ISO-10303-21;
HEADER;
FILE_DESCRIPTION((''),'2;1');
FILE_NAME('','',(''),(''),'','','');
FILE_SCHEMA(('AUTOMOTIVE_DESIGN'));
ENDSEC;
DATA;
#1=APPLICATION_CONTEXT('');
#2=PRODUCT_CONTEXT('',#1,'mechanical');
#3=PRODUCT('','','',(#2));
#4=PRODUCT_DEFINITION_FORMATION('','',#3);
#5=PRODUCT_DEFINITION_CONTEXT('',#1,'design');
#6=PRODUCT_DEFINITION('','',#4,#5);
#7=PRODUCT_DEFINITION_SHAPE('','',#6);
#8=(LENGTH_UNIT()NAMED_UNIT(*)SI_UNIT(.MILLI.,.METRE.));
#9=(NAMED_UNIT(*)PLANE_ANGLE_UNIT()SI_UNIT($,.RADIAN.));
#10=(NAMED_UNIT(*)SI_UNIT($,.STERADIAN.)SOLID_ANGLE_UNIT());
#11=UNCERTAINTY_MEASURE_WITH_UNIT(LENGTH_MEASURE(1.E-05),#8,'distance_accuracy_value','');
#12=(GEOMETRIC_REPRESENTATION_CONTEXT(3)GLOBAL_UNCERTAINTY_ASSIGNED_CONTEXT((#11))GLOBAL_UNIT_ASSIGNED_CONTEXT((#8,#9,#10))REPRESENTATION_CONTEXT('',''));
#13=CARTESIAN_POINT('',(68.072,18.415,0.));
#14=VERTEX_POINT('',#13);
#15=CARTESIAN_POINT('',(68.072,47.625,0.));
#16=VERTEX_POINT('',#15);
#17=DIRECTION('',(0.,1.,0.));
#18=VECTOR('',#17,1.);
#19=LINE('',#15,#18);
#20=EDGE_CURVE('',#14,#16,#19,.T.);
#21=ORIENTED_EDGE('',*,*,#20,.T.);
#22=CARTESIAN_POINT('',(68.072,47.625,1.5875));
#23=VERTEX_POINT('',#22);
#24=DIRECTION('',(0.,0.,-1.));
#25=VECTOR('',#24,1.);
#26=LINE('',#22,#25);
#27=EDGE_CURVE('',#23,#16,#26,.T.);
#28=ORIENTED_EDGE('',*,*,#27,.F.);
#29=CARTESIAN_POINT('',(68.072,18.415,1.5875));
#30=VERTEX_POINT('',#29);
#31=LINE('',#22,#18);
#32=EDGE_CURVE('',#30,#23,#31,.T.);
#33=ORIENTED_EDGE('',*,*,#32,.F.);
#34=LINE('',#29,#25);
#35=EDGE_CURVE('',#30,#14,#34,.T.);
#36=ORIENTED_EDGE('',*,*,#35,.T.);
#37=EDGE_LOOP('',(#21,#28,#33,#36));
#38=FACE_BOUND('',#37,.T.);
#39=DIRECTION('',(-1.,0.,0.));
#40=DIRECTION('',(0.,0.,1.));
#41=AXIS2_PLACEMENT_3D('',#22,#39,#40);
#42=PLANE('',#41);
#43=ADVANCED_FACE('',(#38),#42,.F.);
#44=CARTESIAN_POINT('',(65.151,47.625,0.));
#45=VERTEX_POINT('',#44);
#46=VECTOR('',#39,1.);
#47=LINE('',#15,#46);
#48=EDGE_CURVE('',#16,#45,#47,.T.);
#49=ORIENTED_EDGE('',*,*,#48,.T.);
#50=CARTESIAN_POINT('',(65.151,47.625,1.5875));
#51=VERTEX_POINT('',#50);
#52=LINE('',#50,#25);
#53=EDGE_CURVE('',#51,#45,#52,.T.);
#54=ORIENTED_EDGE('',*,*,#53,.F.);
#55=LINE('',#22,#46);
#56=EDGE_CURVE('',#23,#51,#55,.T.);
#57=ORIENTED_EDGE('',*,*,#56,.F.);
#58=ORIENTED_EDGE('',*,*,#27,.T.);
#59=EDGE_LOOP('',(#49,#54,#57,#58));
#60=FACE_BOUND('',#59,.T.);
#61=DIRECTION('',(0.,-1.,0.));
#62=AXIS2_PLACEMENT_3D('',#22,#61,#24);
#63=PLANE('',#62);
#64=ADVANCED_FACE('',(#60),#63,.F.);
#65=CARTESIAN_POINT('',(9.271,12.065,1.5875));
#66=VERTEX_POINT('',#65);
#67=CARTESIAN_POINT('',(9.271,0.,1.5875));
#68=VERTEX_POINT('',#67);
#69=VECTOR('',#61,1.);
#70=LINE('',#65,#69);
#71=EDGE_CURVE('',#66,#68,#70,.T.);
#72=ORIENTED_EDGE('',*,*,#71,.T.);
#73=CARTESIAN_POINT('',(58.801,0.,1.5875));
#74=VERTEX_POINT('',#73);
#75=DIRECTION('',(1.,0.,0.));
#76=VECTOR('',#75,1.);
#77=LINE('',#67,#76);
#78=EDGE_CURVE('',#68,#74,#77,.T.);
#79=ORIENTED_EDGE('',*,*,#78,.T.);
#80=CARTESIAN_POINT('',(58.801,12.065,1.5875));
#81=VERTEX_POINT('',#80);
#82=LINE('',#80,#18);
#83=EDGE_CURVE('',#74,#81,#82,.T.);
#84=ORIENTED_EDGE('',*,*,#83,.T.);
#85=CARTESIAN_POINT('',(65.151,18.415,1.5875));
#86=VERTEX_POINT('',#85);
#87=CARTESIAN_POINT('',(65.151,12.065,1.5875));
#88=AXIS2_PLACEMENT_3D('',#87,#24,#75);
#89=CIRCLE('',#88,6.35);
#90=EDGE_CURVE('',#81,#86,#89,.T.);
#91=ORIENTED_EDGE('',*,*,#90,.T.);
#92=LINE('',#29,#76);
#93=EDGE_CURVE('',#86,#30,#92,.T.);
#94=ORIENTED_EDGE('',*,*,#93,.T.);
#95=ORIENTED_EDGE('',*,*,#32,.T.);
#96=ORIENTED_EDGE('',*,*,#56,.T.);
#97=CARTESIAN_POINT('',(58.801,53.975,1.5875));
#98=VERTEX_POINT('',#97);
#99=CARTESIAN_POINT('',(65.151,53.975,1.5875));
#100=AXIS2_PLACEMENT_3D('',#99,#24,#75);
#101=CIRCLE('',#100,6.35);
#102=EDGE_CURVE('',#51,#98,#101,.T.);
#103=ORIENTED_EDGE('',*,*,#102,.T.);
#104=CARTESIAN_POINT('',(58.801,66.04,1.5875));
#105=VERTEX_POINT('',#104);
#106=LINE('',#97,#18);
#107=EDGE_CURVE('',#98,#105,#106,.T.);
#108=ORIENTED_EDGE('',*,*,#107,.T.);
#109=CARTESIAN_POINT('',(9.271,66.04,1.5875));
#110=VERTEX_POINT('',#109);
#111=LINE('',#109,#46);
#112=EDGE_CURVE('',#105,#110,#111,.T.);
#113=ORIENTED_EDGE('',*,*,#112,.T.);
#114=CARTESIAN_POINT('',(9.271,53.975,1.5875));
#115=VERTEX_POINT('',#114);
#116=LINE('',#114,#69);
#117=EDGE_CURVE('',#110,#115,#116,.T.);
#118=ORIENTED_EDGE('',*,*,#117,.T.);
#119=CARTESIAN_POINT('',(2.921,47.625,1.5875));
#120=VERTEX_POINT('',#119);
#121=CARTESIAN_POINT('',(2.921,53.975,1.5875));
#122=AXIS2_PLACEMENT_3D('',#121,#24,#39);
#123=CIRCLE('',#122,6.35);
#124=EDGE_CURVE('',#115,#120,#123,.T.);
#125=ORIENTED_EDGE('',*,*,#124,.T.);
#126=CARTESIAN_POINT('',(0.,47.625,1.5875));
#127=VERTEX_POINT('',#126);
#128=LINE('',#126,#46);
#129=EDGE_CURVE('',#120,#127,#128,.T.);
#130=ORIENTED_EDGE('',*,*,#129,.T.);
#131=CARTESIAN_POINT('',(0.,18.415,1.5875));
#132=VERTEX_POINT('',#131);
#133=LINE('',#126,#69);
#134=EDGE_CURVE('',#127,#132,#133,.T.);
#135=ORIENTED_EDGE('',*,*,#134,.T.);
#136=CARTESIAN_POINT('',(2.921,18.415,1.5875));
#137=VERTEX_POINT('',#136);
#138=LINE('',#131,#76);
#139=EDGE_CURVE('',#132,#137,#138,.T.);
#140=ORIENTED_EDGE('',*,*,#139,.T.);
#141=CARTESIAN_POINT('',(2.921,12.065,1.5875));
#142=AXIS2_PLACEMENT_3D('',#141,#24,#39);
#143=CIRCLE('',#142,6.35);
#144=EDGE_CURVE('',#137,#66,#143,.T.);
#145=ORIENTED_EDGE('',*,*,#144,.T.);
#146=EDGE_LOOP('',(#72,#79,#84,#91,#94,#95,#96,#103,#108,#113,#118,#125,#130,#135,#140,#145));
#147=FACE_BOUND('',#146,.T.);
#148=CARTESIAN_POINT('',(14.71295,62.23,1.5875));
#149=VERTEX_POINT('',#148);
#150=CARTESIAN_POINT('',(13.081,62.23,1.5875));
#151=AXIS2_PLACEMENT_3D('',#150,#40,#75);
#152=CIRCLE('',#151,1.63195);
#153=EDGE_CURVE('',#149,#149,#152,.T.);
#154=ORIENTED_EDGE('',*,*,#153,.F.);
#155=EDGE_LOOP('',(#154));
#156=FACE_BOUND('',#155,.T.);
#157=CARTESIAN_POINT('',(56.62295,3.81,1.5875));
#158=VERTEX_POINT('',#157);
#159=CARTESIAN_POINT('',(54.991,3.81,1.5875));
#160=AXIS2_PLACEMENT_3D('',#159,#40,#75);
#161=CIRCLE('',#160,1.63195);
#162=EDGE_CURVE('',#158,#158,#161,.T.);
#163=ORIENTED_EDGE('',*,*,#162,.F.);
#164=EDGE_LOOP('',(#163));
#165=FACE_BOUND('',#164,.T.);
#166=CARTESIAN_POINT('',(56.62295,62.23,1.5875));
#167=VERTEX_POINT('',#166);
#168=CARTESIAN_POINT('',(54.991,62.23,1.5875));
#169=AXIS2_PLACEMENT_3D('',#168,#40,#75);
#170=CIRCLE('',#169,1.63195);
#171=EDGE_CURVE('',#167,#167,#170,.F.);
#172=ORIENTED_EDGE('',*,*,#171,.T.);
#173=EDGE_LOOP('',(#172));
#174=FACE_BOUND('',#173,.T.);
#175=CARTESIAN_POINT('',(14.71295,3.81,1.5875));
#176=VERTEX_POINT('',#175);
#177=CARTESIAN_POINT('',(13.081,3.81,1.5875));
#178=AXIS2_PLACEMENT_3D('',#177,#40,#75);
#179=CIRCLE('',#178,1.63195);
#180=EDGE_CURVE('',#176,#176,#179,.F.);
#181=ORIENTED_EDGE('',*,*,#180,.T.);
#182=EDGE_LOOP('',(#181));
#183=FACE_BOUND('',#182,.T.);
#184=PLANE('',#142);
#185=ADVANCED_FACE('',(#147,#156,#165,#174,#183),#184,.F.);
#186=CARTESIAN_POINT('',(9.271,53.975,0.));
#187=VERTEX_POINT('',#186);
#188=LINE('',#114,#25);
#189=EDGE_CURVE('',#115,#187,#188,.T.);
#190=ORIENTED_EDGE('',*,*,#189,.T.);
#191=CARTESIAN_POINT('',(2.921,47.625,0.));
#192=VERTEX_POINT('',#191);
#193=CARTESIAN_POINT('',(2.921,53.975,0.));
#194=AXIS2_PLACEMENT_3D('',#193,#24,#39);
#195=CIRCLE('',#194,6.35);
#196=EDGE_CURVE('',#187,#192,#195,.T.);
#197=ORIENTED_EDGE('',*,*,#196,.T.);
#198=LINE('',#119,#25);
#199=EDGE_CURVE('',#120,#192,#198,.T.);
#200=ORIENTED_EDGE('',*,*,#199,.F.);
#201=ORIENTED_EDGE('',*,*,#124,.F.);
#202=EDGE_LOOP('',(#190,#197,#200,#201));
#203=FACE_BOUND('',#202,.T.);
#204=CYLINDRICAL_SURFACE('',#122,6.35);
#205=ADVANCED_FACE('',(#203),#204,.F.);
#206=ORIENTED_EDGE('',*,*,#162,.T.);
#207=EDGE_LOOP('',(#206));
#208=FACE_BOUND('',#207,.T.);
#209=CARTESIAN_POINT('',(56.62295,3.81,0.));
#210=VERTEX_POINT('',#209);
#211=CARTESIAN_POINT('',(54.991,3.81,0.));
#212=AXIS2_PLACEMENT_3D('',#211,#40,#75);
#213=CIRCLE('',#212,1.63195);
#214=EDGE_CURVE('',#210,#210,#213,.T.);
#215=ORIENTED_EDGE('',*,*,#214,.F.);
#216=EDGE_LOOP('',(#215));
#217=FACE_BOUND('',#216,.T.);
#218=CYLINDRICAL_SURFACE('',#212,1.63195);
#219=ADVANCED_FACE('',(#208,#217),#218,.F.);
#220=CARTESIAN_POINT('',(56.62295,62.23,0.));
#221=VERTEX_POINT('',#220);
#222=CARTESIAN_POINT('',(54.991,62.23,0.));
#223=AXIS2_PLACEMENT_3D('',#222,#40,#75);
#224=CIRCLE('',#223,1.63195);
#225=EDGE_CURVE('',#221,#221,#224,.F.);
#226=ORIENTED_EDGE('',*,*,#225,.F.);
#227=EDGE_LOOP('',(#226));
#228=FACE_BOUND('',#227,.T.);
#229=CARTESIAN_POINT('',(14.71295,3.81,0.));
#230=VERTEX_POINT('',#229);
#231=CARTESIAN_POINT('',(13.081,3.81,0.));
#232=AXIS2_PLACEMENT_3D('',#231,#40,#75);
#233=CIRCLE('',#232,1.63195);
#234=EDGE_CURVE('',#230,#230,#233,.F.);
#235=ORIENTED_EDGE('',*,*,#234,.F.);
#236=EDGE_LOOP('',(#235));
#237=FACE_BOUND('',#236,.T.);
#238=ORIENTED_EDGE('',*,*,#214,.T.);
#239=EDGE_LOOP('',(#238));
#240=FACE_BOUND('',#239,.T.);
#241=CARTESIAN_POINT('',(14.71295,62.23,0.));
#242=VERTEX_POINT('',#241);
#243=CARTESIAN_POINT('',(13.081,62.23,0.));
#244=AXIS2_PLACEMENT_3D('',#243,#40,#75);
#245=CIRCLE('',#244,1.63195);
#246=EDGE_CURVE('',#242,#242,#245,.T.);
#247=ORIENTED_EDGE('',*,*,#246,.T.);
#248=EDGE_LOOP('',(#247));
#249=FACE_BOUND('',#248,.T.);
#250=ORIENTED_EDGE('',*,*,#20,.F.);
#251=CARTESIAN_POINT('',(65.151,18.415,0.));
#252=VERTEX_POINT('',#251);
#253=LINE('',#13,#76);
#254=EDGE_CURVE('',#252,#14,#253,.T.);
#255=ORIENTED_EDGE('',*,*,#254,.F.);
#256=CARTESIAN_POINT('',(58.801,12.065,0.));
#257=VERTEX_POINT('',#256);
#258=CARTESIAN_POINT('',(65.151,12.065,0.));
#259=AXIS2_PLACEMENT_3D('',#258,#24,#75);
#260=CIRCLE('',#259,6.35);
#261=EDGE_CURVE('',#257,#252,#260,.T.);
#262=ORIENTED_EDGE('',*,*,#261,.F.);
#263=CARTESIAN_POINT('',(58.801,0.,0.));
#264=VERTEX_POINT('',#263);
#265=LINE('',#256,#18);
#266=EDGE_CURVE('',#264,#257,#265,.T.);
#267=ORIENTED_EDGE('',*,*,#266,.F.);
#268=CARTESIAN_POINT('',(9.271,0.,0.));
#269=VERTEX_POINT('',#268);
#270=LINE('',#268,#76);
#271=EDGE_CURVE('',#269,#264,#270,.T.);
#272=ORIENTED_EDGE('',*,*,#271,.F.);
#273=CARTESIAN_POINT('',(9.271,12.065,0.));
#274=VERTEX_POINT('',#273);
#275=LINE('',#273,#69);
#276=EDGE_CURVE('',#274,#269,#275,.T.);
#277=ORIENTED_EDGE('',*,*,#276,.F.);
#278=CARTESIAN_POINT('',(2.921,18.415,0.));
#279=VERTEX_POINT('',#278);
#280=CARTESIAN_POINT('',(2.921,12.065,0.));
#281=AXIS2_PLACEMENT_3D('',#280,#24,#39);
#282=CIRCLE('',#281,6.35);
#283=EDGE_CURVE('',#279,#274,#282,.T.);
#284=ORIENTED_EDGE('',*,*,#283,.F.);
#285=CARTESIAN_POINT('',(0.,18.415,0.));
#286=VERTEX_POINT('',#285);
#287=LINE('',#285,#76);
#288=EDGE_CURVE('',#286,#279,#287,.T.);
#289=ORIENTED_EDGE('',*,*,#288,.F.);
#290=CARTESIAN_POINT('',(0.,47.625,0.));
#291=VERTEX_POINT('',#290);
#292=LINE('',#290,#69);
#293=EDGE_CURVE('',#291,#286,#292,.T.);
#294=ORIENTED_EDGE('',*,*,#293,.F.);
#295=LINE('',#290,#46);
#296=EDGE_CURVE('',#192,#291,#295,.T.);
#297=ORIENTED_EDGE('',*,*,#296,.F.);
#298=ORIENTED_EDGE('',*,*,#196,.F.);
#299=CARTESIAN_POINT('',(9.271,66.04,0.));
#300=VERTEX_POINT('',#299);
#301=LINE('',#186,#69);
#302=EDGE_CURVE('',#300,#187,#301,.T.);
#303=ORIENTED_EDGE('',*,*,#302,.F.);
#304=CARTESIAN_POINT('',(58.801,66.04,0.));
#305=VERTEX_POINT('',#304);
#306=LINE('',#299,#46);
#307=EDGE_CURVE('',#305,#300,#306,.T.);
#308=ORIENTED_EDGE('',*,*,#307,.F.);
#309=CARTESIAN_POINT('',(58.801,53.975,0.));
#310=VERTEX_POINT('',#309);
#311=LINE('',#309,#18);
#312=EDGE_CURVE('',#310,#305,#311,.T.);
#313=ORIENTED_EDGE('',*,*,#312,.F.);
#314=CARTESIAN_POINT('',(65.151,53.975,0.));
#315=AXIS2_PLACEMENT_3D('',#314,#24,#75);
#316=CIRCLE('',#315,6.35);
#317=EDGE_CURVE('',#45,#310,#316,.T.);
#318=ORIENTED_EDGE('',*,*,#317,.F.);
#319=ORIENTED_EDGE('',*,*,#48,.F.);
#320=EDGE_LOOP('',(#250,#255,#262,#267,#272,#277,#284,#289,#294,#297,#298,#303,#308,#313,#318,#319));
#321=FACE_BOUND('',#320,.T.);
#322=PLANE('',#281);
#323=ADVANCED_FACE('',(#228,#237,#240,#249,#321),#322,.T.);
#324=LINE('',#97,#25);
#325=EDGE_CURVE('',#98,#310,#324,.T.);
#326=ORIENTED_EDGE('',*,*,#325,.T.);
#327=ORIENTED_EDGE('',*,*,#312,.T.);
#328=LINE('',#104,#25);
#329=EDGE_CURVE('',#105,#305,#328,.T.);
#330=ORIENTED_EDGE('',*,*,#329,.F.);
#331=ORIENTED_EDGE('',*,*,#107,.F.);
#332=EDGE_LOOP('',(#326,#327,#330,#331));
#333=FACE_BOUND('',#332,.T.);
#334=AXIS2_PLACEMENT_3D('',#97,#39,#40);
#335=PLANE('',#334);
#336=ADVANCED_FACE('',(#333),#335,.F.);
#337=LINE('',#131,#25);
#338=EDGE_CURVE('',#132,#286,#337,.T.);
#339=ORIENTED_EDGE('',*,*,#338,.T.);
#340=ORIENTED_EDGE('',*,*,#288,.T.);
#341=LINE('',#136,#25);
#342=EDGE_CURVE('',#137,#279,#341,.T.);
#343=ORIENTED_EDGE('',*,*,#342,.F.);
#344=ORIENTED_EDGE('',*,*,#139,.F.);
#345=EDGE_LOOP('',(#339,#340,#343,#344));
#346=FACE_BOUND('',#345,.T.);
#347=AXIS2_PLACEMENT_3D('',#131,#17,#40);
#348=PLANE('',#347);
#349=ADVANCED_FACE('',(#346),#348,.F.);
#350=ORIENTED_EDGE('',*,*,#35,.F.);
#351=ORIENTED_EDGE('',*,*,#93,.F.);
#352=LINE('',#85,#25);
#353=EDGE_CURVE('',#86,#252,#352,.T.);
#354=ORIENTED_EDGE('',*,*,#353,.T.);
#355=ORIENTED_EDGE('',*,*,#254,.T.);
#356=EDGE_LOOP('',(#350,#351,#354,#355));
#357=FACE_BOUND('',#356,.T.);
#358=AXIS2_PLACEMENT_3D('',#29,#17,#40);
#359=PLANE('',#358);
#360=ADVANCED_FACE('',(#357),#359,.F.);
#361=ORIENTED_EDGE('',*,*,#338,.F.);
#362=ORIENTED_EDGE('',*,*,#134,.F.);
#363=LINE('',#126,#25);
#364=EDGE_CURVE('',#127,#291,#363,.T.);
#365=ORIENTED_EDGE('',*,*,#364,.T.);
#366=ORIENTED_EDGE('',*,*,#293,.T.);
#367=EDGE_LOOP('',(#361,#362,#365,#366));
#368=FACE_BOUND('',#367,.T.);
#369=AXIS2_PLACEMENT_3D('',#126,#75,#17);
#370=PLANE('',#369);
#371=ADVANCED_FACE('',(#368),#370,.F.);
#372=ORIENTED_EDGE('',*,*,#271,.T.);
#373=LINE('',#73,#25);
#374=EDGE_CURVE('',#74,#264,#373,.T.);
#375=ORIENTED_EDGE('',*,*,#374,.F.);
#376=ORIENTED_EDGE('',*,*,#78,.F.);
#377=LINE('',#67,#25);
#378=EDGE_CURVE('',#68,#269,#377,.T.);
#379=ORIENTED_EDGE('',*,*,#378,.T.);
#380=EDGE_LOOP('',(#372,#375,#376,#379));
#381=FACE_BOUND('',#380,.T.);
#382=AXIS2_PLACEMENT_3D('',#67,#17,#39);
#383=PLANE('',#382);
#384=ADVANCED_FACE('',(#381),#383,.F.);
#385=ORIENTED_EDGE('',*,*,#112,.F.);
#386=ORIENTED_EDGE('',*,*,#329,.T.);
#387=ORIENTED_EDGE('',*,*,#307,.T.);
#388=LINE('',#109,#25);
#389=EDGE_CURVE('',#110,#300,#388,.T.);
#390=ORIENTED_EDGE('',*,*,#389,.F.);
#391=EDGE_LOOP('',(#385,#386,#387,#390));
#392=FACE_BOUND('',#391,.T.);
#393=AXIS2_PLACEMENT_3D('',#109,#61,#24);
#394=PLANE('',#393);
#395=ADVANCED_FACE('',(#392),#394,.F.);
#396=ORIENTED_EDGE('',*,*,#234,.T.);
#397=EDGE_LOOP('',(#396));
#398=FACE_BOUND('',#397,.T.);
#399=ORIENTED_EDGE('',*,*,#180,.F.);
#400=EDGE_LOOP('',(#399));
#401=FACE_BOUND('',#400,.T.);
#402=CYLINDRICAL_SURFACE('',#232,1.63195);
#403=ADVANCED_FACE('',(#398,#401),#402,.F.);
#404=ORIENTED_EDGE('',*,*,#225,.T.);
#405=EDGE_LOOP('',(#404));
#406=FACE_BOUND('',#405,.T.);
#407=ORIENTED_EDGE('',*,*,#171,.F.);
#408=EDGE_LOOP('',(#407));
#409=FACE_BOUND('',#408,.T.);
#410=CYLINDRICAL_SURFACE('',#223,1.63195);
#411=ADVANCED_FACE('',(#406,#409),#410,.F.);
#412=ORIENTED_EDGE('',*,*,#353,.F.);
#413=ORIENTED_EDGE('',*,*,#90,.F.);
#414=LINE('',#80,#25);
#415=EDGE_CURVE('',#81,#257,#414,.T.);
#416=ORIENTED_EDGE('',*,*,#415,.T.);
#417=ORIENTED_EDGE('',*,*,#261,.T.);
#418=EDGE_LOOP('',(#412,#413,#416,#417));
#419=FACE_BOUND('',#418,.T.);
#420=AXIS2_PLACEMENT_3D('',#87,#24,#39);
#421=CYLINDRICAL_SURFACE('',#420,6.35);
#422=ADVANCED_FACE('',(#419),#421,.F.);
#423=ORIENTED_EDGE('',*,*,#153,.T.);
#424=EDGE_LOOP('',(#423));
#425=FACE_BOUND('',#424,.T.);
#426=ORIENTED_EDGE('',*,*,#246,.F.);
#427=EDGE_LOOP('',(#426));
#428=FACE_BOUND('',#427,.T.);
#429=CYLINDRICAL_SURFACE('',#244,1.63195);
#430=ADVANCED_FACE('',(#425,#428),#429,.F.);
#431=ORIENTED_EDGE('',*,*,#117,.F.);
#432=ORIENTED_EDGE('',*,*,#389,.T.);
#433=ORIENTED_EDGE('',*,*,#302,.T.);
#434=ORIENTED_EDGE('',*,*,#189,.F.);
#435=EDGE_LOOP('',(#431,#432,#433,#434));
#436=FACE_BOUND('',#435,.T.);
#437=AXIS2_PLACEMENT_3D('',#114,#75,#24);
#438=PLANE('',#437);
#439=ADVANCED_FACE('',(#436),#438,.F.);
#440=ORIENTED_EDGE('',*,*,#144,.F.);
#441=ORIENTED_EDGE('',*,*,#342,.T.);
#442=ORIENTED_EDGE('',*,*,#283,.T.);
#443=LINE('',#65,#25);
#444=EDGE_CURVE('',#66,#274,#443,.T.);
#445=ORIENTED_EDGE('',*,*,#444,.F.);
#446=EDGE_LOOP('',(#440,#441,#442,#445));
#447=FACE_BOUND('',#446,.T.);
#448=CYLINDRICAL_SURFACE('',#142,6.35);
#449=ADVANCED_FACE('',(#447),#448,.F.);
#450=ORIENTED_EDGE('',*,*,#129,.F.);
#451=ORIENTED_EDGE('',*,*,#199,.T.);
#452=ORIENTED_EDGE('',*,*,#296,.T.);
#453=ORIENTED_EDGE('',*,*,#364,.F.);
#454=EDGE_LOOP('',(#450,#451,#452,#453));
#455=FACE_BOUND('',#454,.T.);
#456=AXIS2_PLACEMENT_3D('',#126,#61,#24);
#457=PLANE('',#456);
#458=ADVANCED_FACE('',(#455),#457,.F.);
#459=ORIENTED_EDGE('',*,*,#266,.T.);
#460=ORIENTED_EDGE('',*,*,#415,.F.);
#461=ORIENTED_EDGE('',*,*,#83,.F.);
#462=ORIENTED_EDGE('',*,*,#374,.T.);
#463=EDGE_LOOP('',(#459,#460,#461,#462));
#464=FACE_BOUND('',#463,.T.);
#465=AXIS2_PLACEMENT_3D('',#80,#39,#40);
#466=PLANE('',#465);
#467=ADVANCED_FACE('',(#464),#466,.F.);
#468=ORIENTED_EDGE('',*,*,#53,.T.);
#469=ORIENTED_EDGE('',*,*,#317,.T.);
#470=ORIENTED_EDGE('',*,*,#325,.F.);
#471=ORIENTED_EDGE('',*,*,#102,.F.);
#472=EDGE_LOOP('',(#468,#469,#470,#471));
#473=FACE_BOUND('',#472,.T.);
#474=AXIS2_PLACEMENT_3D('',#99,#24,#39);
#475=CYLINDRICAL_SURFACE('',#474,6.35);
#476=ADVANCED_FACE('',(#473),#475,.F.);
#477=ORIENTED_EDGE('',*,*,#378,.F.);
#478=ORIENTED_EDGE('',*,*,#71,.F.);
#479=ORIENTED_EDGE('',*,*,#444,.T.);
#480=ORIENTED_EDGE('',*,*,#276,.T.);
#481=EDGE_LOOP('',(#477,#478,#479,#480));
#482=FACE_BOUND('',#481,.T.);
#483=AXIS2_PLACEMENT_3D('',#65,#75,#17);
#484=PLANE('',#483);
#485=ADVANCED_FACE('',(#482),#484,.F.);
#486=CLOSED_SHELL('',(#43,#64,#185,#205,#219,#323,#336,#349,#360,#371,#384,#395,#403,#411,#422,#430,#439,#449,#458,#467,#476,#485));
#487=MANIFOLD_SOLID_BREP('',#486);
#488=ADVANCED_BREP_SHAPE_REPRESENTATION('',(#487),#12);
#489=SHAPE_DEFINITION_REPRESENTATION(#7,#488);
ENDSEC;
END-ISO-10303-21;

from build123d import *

# Parameters (mm, degrees)
BOSS_EXTRUDE1_DEPTH = 1.5875
SKETCH3_R           = 1.63195
CUT_EXTRUDE1_DEPTH  = 95.855674265


with BuildPart() as part:
    # Sketch1 → Boss-Extrude1 (new body)
    with BuildSketch(Plane.XY):
        with BuildLine():
            Line((0, 47.625), (0, 18.415))
            Line((0, 18.415), (2.921, 18.415))
            ThreePointArc((2.921, 18.415), (7.411128061, 16.555128061), (9.271, 12.065))
            Line((9.271, 12.065), (9.271, 0))
            Line((9.271, 0), (58.801, 0))
            Line((58.801, 0), (58.801, 12.065))
            ThreePointArc((58.801, 12.065), (60.660871939, 16.555128061), (65.151, 18.415))
            Line((65.151, 18.415), (68.072, 18.415))
            Line((68.072, 18.415), (68.072, 47.625))
            Line((68.072, 47.625), (65.151, 47.625))
            ThreePointArc((65.151, 47.625), (60.660871939, 49.484871939), (58.801, 53.975))
            Line((58.801, 53.975), (58.801, 66.04))
            Line((58.801, 66.04), (9.271, 66.04))
            Line((9.271, 66.04), (9.271, 53.975))
            ThreePointArc((9.271, 53.975), (7.411128061, 49.484871939), (2.921, 47.625))
            Line((2.921, 47.625), (0, 47.625))
        make_face()
    extrude(amount=BOSS_EXTRUDE1_DEPTH)

    # Sketch3 → Cut-Extrude1 (cut, through all)
    with BuildSketch(Plane.XY.offset(1.5875)):
        with Locations((54.991, 62.23)):
            Circle(SKETCH3_R)
        with Locations((54.991, 3.81)):
            Circle(SKETCH3_R)
        with Locations((13.081, 3.81)):
            Circle(SKETCH3_R)
        with Locations((13.081, 62.23)):
            Circle(SKETCH3_R)
    extrude(amount=-CUT_EXTRUDE1_DEPTH, mode=Mode.SUBTRACT)


solid = part.part
